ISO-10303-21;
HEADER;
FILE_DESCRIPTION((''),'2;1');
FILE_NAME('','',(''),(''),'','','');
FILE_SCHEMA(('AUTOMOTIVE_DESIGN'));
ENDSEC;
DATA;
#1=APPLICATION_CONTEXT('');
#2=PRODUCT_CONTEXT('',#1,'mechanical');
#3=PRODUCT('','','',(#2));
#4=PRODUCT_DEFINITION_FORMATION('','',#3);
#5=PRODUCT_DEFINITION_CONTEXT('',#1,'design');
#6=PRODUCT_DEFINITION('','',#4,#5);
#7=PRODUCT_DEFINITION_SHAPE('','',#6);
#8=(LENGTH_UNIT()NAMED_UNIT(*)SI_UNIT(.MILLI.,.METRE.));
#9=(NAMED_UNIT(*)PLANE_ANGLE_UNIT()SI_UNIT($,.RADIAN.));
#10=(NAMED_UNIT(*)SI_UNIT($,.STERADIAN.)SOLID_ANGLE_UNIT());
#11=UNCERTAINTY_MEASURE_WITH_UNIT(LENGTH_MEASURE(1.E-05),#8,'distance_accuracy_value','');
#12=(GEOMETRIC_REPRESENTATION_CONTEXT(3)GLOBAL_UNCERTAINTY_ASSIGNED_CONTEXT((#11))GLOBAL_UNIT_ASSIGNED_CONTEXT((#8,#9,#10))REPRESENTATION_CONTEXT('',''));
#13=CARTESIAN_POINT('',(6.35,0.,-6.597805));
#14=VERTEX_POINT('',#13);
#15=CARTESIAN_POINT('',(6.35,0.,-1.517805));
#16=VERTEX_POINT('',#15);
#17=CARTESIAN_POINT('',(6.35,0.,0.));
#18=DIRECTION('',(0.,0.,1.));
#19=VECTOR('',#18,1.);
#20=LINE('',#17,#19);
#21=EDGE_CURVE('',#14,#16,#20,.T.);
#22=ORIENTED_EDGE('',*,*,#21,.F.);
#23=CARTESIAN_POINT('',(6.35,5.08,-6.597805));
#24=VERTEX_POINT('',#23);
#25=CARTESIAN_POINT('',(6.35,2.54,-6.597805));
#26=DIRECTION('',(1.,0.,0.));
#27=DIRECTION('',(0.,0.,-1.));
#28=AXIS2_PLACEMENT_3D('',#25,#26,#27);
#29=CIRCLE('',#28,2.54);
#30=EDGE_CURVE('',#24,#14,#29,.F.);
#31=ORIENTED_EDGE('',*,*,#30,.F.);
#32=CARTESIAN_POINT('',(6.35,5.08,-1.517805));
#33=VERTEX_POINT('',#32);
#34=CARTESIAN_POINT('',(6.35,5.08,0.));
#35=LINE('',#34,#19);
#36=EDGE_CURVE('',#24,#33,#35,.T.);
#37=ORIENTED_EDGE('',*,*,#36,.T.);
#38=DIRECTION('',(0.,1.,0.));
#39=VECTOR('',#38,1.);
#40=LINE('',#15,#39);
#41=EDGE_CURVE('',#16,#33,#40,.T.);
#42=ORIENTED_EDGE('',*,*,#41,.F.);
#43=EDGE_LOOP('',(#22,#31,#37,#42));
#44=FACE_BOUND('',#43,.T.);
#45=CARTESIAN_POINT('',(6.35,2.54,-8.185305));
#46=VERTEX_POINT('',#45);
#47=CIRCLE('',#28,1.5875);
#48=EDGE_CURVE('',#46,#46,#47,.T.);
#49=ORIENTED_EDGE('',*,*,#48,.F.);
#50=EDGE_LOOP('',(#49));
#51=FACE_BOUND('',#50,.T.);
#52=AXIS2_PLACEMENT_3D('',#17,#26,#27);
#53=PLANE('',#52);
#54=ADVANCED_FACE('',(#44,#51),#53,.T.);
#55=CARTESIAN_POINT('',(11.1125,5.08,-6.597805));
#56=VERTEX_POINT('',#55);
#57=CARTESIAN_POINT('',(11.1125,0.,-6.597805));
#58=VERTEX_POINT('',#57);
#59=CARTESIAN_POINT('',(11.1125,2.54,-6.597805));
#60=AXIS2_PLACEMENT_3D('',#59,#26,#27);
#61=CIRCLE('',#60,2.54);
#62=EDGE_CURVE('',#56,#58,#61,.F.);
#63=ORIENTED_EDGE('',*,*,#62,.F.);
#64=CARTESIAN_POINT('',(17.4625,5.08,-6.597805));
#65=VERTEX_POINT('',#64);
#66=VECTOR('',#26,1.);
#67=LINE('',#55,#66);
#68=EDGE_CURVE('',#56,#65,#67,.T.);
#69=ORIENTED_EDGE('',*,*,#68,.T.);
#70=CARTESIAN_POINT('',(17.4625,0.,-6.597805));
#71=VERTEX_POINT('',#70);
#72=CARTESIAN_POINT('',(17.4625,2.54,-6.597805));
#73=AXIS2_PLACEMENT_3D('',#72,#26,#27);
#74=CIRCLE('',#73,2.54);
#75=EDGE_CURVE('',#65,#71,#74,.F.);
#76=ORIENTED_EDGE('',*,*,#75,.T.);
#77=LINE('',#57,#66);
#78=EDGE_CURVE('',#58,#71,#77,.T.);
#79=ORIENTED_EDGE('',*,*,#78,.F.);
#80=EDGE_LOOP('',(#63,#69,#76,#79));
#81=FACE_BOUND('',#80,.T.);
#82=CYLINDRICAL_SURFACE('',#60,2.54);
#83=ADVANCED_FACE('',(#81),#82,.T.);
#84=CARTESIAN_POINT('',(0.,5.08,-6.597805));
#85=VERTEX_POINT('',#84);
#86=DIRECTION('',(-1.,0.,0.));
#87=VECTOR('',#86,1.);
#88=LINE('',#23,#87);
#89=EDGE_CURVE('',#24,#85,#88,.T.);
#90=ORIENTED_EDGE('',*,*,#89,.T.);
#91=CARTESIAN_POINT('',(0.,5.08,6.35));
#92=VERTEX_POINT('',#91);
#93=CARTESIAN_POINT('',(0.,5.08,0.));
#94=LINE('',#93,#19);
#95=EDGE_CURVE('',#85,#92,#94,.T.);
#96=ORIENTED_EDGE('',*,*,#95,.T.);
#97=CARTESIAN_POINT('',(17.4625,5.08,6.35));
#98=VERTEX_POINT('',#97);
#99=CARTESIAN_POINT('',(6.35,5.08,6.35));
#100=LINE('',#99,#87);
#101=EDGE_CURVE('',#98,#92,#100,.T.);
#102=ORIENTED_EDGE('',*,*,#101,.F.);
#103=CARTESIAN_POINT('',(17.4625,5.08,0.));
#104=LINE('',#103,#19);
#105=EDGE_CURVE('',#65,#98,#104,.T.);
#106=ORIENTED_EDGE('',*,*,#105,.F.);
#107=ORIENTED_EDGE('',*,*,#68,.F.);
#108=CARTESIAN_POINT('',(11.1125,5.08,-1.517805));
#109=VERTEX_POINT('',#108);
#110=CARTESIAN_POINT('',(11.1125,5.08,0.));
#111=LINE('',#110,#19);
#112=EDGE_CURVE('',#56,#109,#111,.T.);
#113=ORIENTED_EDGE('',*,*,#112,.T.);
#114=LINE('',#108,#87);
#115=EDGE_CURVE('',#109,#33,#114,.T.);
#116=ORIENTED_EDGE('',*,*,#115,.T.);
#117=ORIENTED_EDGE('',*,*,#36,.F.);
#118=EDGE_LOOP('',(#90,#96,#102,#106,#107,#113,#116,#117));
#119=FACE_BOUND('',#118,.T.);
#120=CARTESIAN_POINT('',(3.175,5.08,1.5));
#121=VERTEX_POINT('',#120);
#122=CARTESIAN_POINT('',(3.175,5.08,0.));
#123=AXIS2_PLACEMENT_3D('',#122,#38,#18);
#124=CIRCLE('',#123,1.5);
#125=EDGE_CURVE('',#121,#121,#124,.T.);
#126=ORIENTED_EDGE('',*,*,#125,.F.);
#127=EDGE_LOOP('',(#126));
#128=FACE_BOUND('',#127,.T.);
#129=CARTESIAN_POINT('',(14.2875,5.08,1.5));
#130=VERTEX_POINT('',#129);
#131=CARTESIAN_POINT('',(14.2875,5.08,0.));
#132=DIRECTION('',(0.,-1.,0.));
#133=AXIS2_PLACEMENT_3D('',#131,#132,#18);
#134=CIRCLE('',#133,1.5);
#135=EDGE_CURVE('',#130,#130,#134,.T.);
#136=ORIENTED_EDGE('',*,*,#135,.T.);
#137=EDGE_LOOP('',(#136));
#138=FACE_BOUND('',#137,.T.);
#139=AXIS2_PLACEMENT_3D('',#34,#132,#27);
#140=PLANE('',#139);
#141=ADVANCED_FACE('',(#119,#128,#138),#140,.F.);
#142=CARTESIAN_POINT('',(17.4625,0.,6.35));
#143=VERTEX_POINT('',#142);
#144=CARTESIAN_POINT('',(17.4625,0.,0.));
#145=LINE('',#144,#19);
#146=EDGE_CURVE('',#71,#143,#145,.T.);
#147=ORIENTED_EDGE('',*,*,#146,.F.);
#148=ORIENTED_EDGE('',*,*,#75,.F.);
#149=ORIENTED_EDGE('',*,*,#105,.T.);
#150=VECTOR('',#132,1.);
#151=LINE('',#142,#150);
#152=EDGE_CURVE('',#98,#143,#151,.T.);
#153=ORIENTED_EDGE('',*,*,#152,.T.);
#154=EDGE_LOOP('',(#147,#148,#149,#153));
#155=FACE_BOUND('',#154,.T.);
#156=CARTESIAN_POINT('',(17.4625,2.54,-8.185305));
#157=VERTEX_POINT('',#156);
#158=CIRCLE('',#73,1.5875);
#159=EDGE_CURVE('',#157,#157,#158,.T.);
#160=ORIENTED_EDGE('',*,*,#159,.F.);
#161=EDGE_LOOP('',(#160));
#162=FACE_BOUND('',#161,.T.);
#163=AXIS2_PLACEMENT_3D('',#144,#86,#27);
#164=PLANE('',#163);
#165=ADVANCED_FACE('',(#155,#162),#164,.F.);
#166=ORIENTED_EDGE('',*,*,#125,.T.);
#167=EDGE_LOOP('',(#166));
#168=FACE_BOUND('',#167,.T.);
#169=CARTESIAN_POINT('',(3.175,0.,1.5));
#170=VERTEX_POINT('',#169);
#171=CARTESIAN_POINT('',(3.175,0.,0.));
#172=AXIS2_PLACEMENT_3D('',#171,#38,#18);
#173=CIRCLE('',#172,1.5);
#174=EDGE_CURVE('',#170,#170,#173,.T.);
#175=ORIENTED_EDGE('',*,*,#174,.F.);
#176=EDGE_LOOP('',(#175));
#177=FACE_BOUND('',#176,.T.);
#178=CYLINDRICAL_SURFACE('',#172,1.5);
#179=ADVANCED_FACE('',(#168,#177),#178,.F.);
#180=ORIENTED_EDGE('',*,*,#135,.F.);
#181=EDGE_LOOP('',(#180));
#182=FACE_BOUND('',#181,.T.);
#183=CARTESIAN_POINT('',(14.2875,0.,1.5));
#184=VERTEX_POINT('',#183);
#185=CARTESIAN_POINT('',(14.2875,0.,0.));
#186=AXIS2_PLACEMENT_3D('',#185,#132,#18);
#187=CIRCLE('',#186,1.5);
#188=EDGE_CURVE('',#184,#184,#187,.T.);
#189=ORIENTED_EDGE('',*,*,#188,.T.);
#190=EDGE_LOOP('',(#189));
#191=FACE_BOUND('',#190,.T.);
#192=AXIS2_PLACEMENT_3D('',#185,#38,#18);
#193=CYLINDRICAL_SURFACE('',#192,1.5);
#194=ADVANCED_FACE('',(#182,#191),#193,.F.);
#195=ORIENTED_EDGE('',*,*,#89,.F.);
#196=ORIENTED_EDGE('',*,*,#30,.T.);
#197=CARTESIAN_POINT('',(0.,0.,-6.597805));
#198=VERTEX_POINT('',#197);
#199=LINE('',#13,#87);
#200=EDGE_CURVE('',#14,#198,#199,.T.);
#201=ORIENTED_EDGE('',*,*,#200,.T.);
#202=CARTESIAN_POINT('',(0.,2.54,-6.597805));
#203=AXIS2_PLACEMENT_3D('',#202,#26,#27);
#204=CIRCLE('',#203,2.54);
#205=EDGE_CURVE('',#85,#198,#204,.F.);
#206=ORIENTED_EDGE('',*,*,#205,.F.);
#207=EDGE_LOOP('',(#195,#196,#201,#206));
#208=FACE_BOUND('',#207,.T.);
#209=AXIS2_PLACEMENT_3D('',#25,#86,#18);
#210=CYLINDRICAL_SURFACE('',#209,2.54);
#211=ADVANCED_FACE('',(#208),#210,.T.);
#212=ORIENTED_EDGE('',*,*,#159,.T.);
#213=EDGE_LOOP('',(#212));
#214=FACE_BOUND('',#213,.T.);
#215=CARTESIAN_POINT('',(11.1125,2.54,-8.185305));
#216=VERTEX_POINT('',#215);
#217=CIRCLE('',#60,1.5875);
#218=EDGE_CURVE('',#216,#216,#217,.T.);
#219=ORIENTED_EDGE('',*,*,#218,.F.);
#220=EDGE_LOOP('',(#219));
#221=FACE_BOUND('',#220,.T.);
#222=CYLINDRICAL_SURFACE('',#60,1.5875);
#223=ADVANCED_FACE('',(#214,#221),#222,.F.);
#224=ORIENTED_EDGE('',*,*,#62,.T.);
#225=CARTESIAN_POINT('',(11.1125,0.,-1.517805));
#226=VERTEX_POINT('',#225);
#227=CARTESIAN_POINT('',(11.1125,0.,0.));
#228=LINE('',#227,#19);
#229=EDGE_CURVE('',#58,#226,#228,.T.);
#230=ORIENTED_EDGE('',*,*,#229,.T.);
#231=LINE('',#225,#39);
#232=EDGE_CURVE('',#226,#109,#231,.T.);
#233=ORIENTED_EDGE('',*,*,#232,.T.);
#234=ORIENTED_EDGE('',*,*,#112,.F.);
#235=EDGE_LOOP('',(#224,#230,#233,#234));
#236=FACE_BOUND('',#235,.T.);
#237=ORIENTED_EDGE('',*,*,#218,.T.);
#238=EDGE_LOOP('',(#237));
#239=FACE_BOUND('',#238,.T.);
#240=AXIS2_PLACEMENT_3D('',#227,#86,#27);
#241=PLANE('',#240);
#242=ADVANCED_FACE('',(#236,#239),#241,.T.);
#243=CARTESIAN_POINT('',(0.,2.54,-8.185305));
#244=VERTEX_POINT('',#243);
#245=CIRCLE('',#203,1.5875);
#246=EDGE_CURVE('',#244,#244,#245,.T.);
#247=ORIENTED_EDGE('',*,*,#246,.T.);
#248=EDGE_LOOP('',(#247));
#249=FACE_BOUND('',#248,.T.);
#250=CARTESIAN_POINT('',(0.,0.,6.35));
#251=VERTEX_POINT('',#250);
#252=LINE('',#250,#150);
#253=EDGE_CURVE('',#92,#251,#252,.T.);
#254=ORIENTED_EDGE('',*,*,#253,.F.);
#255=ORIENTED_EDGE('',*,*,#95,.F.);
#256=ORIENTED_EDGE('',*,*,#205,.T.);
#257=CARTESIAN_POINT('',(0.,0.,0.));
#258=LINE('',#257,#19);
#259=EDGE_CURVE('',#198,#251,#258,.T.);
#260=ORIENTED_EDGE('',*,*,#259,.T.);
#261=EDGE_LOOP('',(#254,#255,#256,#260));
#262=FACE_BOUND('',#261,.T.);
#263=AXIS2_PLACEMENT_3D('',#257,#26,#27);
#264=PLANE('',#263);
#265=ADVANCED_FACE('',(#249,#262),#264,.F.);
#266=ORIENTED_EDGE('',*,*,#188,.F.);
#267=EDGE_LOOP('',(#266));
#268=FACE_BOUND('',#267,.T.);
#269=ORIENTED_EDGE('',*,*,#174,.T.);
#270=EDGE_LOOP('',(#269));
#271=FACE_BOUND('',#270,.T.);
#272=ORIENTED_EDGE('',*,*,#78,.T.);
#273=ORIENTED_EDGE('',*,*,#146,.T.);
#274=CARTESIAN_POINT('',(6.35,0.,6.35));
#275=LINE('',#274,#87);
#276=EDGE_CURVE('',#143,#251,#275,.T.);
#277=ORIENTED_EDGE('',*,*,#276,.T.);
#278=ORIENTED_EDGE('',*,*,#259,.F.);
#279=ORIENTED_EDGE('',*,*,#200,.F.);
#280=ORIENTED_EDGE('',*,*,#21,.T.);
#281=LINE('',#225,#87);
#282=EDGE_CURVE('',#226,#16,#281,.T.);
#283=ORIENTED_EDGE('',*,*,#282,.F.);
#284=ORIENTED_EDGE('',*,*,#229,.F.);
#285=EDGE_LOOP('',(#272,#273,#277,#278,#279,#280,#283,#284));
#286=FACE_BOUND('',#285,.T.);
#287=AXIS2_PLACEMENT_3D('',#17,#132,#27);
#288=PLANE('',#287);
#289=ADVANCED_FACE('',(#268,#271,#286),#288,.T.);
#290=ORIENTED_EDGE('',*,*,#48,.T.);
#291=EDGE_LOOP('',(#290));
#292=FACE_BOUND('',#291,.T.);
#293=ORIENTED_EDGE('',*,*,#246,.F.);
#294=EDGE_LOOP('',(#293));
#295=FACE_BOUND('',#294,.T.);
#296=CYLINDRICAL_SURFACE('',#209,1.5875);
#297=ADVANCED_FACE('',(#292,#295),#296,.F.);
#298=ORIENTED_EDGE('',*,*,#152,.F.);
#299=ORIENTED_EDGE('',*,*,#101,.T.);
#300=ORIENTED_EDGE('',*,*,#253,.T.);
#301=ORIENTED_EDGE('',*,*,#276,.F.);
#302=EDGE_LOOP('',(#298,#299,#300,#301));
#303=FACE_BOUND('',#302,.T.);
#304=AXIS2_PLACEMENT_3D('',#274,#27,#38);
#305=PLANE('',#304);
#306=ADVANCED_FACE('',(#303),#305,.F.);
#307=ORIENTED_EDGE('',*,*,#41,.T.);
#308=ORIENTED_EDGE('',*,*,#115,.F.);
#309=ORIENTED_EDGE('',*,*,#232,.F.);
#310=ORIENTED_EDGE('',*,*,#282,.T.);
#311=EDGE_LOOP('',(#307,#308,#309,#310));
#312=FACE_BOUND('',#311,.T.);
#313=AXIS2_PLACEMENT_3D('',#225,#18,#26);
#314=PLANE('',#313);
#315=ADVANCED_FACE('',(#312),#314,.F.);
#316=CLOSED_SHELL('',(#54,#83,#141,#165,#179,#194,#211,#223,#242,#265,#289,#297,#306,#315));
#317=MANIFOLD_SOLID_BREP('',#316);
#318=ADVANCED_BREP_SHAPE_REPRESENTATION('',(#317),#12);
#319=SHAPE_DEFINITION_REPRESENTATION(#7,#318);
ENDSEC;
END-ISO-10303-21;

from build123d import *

# Parameters (mm, degrees)
SKETCH2_W           = 6.35
SKETCH2_H           = 5.08
SKETCH2_R           = 1.5875
BOSS_EXTRUDE1_DEPTH = 6.35
SKETCH3_R           = 1.5
CUT_EXTRUDE1_DEPTH  = 13.2322679
BOSS_EXTRUDE2_DEPTH = 4.7625


with BuildPart() as part:
    # Sketch2 → Boss-Extrude1 (new body)
    # profile 1 of 2: a face of its own
    with BuildSketch(Plane(origin=(0, 0, 0), x_dir=(0, 0, -1), z_dir=(1, 0, 0))):
        with Locations((-3.175, 2.54)):
            Rectangle(SKETCH2_W, SKETCH2_H)
    # profile 2 of 2: a face of its own
    with BuildSketch(Plane(origin=(0, 0, 0), x_dir=(0, 0, -1), z_dir=(1, 0, 0))):
        with BuildLine():
            Line((6.597804878, 5.08), (0, 5.08))
            Line((0, 5.08), (0, 0))
            Line((0, 0), (6.597804878, 0))
            ThreePointArc((6.597804878, 0), (9.137804878, 2.54), (6.597804878, 5.08))
        make_face()
        with Locations((6.597804878, 2.54)):
            Circle(SKETCH2_R, mode=Mode.SUBTRACT)
    boss_extrude1 = extrude(amount=BOSS_EXTRUDE1_DEPTH)

    # Sketch3 → Cut-Extrude1 (cut, through all)
    with BuildSketch(Plane(origin=(0, 5.08, 0), x_dir=(1, 0, 0), z_dir=(0, 1, 0))):
        with Locations(Location((3.175, 0, 0), (0, 0, 270))):
            Circle(SKETCH3_R)
    cut_extrude1 = extrude(amount=-CUT_EXTRUDE1_DEPTH, mode=Mode.SUBTRACT)

    # Sketch4 → Boss-Extrude2 (add)
    with BuildSketch(Plane(origin=(6.35, 0, 0), x_dir=(0, 0, -1), z_dir=(1, 0, 0))):
        Polygon((-6.35, 0), (1.517804878, 0), (1.517804878, 2.54), (1.517804878, 5.08), (-6.35, 5.08), align=None)
    extrude(amount=BOSS_EXTRUDE2_DEPTH)

    # Mirror1: Boss-Extrude1, Cut-Extrude1 across plane
    add(boss_extrude1.mirror(Plane(origin=(8.73125, 0, 0), x_dir=(0, 0, 1), z_dir=(1, 0, 0))))
    add(cut_extrude1.mirror(Plane(origin=(8.73125, 0, 0), x_dir=(0, 0, 1), z_dir=(1, 0, 0))), mode=Mode.SUBTRACT)


solid = part.part
